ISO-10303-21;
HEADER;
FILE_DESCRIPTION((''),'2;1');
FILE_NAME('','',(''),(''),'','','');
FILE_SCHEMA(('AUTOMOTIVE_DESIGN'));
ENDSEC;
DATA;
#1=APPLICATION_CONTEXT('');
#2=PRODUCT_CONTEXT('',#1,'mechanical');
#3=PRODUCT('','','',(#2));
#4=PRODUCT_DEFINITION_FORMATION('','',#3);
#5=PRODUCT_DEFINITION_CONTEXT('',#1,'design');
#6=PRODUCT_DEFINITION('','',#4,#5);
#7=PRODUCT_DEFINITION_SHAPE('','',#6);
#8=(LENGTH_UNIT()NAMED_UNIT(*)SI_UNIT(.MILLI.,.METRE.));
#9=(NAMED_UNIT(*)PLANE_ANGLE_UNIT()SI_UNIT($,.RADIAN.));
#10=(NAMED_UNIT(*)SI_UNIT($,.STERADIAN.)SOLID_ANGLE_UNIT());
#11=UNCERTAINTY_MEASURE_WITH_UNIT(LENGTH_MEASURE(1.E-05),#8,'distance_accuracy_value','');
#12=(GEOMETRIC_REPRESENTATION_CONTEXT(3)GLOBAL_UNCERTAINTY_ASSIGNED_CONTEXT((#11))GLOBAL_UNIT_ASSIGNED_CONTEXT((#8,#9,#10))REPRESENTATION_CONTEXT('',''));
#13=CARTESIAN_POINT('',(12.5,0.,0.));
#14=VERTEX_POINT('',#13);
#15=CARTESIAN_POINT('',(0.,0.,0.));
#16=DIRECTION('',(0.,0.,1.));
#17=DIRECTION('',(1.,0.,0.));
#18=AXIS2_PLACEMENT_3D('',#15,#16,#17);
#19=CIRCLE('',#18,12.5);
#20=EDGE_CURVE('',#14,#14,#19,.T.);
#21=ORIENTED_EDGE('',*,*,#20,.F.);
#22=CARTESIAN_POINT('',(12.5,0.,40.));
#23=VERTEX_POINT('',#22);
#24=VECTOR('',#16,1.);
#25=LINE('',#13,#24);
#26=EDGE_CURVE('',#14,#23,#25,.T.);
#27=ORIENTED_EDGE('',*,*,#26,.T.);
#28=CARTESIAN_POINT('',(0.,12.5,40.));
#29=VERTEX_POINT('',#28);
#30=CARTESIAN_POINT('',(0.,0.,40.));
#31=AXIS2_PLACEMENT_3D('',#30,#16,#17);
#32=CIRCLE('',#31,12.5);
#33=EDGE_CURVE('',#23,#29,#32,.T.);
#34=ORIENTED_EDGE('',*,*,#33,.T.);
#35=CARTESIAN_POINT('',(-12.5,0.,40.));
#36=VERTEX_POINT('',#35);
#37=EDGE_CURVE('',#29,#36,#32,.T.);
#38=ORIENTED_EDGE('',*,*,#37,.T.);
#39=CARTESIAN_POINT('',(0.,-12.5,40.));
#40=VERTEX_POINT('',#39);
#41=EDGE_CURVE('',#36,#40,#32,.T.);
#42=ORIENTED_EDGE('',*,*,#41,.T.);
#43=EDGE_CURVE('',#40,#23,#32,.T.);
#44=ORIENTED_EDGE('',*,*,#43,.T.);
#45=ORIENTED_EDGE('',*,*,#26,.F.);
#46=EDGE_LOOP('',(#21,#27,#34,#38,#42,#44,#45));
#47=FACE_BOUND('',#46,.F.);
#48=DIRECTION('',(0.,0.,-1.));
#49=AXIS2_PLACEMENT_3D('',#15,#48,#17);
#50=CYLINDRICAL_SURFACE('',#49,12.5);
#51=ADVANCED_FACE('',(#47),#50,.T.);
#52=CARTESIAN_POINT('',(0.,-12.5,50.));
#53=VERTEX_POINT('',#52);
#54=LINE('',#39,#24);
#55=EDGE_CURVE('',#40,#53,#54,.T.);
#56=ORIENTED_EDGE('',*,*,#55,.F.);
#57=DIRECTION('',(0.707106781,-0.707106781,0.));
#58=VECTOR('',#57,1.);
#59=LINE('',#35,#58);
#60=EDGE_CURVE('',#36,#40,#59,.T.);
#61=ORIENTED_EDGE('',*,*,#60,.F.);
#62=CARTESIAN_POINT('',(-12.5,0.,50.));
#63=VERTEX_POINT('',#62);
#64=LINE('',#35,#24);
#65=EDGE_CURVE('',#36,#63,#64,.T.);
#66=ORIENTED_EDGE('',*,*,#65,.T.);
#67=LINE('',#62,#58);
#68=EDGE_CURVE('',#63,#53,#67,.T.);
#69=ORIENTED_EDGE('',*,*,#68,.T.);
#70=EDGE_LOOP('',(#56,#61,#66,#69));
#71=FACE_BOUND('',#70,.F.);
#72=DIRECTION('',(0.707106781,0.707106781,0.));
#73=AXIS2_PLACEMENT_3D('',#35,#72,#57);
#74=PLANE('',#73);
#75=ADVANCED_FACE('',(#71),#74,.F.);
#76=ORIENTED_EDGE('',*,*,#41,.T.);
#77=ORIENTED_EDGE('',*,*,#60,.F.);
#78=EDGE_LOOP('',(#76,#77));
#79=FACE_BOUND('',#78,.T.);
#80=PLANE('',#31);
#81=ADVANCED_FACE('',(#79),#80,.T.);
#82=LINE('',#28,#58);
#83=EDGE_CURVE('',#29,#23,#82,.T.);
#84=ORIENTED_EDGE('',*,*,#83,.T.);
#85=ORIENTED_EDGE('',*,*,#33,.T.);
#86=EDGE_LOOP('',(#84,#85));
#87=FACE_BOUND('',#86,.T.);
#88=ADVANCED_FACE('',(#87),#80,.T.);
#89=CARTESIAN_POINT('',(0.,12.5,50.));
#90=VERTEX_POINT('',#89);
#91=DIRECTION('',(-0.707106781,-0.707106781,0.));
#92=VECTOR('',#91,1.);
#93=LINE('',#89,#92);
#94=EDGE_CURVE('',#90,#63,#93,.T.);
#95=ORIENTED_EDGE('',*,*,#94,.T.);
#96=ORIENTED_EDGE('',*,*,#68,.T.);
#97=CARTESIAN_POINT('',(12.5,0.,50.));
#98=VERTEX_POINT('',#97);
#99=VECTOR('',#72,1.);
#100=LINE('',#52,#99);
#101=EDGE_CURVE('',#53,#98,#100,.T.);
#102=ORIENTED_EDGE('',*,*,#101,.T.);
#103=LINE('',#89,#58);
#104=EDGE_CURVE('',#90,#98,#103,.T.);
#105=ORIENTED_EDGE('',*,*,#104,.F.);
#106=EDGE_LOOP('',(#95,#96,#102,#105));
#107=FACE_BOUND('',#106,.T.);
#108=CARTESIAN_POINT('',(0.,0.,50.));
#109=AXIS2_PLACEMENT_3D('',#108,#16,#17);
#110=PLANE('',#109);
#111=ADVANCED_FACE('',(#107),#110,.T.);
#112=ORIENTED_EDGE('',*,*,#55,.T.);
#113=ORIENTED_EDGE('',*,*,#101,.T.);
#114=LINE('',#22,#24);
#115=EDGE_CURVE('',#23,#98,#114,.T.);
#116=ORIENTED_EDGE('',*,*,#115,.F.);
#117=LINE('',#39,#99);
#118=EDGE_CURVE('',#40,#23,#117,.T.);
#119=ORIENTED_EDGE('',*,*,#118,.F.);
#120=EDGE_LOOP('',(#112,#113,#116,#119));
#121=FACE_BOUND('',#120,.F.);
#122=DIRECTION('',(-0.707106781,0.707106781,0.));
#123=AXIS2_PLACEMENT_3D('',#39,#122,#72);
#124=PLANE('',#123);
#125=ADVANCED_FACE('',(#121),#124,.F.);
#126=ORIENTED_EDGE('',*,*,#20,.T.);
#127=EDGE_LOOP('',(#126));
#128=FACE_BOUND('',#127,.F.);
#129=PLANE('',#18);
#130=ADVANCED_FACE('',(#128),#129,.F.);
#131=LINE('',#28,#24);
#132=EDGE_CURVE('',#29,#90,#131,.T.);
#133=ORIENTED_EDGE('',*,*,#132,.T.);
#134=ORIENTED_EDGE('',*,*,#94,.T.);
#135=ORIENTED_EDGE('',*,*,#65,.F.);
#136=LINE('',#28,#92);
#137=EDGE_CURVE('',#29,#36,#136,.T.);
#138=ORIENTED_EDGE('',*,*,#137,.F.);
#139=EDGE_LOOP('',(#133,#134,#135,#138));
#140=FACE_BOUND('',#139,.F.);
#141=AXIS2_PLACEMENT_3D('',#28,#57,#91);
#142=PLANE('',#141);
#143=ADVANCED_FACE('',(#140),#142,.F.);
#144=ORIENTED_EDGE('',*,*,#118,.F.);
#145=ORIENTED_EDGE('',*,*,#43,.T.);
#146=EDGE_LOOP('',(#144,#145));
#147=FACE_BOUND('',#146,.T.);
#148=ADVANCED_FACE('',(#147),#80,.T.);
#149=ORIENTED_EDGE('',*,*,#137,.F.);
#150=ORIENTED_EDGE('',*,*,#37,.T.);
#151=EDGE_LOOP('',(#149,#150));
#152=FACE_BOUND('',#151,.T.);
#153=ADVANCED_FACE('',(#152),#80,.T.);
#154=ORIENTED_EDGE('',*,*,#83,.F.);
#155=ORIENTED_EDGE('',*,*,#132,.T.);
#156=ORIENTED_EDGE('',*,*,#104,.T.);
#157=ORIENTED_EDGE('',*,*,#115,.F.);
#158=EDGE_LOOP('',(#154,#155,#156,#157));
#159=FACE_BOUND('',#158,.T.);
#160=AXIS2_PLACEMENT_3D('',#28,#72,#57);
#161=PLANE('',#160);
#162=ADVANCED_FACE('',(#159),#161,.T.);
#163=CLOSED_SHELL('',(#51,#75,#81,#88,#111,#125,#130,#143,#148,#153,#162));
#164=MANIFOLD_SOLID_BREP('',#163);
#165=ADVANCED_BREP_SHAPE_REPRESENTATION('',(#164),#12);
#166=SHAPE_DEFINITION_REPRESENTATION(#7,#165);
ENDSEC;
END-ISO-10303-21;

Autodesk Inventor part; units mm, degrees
ref_plane "YZ Plane" through (0, 0, 0) normal (1, 0, 0) x (0, 1, 0)
ref_plane "XZ Plane" through (0, 0, 0) normal (0, 1, 0) x (-1, 0, 0)
ref_plane "XY Plane" through (0, 0, 0) normal (0, 0, 1) x (1, 0, 0)
sketch "Boceto1" plane through (0, 0, 0) normal (0, 0, 1) x (1, 0, 0)
  circle A0 centre (0, 0) radius 12.5
  dimension "d0" = 25
extrude "Extrusión1" add sketch "Boceto1" along normal blind 40
sketch "Boceto2" plane through (0, 0, 40) normal (0, 0, 1) x (1, 0, 0)
  circle A0 centre (0, 0) radius 12.5 projected
  line L0 (0, 12.5) -> (12.5, 0)
  line L1 (0, -12.5) -> (12.5, 0)
  line L2 (0, 12.5) -> (-12.5, 0)
  line L3 (-12.5, 0) -> (0, -12.5)
extrude "Extrusión2" add sketch "Boceto2" along normal blind 10 contours L1 L3 L2 L0
properties part number "ejeM"
